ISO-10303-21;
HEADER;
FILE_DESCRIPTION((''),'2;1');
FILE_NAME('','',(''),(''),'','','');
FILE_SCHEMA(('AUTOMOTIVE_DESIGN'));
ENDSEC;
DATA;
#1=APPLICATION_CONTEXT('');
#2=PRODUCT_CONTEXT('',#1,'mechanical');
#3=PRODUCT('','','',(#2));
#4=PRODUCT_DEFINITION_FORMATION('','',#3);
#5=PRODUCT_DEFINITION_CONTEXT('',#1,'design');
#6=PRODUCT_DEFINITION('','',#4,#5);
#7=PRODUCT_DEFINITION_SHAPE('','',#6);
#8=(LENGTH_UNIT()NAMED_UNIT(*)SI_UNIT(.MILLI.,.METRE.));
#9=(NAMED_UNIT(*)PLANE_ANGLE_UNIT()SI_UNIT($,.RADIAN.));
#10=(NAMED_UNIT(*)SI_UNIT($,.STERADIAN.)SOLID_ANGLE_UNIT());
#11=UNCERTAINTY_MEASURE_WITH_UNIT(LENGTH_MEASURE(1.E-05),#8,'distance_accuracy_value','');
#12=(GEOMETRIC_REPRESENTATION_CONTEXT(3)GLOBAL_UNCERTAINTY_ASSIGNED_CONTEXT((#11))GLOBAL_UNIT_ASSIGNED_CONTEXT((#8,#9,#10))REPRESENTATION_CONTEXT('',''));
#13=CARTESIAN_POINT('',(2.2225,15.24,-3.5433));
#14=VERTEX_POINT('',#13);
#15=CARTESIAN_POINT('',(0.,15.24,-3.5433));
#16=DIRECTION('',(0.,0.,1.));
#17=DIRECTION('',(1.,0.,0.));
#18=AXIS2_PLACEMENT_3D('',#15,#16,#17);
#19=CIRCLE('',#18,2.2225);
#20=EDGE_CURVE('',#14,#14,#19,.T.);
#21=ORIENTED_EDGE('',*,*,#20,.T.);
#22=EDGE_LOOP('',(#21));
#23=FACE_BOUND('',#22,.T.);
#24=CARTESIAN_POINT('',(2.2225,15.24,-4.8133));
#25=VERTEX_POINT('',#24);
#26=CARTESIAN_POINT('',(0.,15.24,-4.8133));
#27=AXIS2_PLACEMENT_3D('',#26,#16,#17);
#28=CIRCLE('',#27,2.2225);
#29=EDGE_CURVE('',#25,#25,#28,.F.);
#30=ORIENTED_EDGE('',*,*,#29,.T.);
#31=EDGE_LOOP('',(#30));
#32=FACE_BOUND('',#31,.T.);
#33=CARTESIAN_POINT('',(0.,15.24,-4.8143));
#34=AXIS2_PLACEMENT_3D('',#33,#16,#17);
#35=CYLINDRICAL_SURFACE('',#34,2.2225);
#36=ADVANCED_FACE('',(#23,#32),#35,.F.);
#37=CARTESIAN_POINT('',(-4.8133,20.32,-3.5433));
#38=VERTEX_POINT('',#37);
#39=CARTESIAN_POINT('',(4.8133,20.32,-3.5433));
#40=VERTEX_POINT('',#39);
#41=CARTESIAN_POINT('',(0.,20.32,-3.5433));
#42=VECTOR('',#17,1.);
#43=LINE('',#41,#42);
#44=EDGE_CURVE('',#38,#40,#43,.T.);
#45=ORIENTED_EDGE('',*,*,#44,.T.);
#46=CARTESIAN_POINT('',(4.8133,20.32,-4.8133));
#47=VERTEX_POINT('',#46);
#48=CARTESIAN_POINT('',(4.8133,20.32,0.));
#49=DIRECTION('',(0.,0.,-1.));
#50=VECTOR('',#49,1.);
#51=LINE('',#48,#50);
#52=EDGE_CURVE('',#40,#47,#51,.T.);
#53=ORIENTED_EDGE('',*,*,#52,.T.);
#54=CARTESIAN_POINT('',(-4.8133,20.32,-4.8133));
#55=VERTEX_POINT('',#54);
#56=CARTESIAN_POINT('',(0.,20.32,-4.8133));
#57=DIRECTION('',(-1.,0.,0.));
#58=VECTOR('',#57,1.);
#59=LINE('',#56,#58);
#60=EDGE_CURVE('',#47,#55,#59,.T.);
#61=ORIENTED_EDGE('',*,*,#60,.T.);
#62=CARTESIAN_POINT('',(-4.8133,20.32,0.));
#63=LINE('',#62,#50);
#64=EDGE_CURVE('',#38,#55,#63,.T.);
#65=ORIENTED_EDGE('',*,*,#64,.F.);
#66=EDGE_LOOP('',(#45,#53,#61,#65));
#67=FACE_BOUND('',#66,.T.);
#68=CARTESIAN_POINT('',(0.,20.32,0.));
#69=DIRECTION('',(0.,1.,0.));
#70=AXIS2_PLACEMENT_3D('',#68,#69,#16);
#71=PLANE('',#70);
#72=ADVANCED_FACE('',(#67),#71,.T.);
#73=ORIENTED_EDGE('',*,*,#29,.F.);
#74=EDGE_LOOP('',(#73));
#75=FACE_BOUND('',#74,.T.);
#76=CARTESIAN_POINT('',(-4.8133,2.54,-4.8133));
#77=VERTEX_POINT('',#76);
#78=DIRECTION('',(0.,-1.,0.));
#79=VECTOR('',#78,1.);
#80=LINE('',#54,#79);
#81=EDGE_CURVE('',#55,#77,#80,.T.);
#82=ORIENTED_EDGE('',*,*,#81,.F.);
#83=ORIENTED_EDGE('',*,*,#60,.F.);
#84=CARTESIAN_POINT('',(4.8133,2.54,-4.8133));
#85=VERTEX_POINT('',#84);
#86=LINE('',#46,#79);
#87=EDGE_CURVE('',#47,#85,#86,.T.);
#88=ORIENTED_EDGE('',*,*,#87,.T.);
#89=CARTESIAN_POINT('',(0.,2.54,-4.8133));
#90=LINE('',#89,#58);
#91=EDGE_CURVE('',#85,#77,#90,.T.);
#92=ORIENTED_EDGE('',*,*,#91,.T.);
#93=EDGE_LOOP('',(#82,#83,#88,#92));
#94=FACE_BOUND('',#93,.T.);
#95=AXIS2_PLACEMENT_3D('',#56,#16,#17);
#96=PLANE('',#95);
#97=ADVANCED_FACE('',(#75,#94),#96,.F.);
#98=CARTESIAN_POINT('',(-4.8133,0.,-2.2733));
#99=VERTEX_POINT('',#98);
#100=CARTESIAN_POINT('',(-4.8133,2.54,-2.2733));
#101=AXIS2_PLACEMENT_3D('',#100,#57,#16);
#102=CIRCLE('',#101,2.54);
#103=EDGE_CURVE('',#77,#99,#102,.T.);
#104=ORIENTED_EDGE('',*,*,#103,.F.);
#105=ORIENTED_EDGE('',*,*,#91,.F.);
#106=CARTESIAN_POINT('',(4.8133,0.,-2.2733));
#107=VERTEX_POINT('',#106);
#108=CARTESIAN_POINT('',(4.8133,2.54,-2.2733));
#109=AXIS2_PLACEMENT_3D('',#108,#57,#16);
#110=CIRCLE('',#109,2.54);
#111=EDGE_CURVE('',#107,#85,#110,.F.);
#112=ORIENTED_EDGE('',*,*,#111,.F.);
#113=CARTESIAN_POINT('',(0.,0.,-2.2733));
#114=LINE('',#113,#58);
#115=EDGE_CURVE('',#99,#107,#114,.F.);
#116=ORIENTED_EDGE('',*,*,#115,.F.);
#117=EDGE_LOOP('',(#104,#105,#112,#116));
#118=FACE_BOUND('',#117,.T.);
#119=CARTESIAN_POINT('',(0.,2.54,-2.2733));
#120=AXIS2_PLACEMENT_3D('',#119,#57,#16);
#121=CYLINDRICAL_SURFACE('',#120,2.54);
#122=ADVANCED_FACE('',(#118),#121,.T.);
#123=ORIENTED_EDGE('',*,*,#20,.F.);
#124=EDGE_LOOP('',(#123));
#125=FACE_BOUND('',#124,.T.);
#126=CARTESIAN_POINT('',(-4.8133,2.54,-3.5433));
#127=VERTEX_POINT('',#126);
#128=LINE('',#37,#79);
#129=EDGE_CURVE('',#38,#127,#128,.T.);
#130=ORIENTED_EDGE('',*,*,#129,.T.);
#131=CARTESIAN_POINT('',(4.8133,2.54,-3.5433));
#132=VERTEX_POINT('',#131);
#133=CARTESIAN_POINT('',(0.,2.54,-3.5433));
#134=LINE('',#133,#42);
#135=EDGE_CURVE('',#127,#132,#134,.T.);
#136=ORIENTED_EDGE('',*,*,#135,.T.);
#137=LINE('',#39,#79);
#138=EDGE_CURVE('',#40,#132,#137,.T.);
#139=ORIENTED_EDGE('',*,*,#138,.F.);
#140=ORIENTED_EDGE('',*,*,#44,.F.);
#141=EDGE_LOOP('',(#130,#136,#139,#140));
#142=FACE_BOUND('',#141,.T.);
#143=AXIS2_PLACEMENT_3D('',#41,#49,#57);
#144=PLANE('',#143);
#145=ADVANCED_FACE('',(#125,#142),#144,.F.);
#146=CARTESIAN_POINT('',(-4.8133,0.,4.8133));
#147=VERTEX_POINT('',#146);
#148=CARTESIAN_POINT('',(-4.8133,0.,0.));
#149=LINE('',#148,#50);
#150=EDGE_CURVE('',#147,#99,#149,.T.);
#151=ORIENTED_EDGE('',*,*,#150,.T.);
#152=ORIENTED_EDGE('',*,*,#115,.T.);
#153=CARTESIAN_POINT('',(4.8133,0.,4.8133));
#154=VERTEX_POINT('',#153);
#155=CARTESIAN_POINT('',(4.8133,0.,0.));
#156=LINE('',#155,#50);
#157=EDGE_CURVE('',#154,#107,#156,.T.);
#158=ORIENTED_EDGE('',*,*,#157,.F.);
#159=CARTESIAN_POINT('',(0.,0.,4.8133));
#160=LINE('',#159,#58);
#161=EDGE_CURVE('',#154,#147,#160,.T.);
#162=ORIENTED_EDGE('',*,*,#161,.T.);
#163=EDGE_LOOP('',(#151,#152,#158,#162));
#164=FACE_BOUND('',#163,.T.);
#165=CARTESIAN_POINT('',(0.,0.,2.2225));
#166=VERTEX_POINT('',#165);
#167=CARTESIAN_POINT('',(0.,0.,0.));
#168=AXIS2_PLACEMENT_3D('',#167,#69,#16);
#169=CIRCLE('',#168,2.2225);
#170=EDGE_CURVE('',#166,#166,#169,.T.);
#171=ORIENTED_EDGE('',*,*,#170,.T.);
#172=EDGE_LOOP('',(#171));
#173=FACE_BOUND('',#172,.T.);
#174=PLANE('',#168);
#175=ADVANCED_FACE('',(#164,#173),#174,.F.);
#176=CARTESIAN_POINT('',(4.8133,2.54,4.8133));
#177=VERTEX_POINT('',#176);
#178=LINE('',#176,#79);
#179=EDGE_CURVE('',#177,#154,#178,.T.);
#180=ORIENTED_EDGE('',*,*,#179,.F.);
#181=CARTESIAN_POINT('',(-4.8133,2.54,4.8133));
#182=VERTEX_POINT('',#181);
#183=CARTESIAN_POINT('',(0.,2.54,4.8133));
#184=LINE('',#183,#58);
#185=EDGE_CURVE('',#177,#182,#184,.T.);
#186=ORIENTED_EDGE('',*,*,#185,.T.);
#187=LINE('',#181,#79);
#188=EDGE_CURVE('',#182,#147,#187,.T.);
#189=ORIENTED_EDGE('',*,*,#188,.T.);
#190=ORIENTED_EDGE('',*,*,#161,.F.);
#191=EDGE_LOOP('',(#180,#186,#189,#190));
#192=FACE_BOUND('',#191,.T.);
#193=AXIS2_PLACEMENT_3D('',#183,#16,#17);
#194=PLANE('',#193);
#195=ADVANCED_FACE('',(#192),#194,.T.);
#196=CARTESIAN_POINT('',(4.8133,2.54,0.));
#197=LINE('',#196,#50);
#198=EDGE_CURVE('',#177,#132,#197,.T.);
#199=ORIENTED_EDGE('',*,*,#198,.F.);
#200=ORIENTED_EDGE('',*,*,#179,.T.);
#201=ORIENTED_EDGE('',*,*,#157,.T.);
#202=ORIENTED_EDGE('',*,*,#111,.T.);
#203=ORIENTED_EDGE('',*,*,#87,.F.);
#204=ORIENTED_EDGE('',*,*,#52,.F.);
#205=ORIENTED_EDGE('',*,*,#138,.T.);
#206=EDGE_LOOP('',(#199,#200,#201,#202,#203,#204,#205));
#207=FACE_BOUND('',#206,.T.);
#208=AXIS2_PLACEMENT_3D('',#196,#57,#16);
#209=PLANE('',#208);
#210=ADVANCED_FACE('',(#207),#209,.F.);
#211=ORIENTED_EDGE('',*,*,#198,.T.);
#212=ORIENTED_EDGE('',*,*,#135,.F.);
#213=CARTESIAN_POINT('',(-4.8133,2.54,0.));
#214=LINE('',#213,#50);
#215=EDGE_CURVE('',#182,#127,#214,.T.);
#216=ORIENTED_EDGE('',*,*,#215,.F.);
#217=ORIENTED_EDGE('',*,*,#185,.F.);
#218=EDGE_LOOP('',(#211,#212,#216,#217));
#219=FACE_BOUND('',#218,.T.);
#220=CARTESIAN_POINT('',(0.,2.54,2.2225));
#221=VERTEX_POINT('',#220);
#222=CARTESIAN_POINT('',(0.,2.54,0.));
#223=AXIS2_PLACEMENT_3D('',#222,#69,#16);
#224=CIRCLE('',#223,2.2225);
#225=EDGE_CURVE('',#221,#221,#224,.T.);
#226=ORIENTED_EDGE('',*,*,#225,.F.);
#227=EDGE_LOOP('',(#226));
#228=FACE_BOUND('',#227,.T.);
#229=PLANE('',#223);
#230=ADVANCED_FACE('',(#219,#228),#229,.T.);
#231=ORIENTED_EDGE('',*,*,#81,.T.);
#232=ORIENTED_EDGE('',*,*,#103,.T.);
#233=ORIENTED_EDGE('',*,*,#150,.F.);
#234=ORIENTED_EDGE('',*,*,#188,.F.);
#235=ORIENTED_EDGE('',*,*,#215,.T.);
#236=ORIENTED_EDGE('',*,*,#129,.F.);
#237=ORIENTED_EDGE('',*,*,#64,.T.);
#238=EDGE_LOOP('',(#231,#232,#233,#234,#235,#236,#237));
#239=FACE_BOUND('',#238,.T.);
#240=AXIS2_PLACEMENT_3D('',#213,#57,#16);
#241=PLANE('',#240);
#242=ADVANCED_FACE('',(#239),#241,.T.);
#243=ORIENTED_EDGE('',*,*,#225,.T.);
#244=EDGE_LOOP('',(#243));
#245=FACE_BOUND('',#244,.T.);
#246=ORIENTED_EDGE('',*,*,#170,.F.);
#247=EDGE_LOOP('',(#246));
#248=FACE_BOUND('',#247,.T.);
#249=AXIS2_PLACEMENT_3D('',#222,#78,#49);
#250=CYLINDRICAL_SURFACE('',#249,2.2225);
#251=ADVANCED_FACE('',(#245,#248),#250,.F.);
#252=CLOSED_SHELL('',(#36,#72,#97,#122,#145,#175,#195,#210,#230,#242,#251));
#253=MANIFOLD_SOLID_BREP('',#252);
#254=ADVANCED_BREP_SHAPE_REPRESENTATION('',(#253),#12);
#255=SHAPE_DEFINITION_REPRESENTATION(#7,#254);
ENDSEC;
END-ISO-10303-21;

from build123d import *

# Parameters (mm, degrees)
SKETCH1_W           = 9.6266
SKETCH1_H           = 8.3566
SKETCH1_R           = 2.2225
BOSS_EXTRUDE1_DEPTH = 2.54
SKETCH1_3_W         = 9.6266
SKETCH1_3_H         = 1.27
BOSS_EXTRUDE2_DEPTH = 20.32
CUT_EXTRUDE1_REACH  = 24.492
SKETCH2_R           = 2.2225
FILLET1_R           = 2.54


with BuildPart() as part:
    # Sketch1 → Boss-Extrude1 (new body)
    with BuildSketch(Plane(origin=(0, 0, 0), x_dir=(1, 0, 0), z_dir=(0, 1, 0))):
        with Locations((0, -0.635)):
            Rectangle(SKETCH1_W, SKETCH1_H)
        Circle(SKETCH1_R, mode=Mode.SUBTRACT)
    extrude(amount=BOSS_EXTRUDE1_DEPTH)

    # Sketch1<3> → Boss-Extrude2 (add)
    with BuildSketch(Plane(origin=(0, 0, 0), x_dir=(1, 0, 0), z_dir=(0, 1, 0))):
        with Locations((0, 4.1783)):
            Rectangle(SKETCH1_3_W, SKETCH1_3_H)
    extrude(amount=BOSS_EXTRUDE2_DEPTH)

    # Sketch2 → Cut-Extrude1 (cut, up to next)
    with BuildSketch(Plane.XY.offset(-3.5433), mode=Mode.PRIVATE) as cut_extrude1_sk1:
        with Locations((0, 15.24)):
            Circle(SKETCH2_R)
    cut_extrude1_tool1 = extrude(cut_extrude1_sk1.sketch, amount=-CUT_EXTRUDE1_REACH, mode=Mode.PRIVATE) & part.part
    add(cut_extrude1_tool1.solids().sort_by_distance((0, 15.24, -3.5433))[0], mode=Mode.SUBTRACT)

    # Fillet1
    fillet1_edges = [part.edges().sort_by_distance(p)[0] for p in [
        (0, 0, -4.8133),
    ]]
    fillet(fillet1_edges, radius=FILLET1_R)


solid = part.part
